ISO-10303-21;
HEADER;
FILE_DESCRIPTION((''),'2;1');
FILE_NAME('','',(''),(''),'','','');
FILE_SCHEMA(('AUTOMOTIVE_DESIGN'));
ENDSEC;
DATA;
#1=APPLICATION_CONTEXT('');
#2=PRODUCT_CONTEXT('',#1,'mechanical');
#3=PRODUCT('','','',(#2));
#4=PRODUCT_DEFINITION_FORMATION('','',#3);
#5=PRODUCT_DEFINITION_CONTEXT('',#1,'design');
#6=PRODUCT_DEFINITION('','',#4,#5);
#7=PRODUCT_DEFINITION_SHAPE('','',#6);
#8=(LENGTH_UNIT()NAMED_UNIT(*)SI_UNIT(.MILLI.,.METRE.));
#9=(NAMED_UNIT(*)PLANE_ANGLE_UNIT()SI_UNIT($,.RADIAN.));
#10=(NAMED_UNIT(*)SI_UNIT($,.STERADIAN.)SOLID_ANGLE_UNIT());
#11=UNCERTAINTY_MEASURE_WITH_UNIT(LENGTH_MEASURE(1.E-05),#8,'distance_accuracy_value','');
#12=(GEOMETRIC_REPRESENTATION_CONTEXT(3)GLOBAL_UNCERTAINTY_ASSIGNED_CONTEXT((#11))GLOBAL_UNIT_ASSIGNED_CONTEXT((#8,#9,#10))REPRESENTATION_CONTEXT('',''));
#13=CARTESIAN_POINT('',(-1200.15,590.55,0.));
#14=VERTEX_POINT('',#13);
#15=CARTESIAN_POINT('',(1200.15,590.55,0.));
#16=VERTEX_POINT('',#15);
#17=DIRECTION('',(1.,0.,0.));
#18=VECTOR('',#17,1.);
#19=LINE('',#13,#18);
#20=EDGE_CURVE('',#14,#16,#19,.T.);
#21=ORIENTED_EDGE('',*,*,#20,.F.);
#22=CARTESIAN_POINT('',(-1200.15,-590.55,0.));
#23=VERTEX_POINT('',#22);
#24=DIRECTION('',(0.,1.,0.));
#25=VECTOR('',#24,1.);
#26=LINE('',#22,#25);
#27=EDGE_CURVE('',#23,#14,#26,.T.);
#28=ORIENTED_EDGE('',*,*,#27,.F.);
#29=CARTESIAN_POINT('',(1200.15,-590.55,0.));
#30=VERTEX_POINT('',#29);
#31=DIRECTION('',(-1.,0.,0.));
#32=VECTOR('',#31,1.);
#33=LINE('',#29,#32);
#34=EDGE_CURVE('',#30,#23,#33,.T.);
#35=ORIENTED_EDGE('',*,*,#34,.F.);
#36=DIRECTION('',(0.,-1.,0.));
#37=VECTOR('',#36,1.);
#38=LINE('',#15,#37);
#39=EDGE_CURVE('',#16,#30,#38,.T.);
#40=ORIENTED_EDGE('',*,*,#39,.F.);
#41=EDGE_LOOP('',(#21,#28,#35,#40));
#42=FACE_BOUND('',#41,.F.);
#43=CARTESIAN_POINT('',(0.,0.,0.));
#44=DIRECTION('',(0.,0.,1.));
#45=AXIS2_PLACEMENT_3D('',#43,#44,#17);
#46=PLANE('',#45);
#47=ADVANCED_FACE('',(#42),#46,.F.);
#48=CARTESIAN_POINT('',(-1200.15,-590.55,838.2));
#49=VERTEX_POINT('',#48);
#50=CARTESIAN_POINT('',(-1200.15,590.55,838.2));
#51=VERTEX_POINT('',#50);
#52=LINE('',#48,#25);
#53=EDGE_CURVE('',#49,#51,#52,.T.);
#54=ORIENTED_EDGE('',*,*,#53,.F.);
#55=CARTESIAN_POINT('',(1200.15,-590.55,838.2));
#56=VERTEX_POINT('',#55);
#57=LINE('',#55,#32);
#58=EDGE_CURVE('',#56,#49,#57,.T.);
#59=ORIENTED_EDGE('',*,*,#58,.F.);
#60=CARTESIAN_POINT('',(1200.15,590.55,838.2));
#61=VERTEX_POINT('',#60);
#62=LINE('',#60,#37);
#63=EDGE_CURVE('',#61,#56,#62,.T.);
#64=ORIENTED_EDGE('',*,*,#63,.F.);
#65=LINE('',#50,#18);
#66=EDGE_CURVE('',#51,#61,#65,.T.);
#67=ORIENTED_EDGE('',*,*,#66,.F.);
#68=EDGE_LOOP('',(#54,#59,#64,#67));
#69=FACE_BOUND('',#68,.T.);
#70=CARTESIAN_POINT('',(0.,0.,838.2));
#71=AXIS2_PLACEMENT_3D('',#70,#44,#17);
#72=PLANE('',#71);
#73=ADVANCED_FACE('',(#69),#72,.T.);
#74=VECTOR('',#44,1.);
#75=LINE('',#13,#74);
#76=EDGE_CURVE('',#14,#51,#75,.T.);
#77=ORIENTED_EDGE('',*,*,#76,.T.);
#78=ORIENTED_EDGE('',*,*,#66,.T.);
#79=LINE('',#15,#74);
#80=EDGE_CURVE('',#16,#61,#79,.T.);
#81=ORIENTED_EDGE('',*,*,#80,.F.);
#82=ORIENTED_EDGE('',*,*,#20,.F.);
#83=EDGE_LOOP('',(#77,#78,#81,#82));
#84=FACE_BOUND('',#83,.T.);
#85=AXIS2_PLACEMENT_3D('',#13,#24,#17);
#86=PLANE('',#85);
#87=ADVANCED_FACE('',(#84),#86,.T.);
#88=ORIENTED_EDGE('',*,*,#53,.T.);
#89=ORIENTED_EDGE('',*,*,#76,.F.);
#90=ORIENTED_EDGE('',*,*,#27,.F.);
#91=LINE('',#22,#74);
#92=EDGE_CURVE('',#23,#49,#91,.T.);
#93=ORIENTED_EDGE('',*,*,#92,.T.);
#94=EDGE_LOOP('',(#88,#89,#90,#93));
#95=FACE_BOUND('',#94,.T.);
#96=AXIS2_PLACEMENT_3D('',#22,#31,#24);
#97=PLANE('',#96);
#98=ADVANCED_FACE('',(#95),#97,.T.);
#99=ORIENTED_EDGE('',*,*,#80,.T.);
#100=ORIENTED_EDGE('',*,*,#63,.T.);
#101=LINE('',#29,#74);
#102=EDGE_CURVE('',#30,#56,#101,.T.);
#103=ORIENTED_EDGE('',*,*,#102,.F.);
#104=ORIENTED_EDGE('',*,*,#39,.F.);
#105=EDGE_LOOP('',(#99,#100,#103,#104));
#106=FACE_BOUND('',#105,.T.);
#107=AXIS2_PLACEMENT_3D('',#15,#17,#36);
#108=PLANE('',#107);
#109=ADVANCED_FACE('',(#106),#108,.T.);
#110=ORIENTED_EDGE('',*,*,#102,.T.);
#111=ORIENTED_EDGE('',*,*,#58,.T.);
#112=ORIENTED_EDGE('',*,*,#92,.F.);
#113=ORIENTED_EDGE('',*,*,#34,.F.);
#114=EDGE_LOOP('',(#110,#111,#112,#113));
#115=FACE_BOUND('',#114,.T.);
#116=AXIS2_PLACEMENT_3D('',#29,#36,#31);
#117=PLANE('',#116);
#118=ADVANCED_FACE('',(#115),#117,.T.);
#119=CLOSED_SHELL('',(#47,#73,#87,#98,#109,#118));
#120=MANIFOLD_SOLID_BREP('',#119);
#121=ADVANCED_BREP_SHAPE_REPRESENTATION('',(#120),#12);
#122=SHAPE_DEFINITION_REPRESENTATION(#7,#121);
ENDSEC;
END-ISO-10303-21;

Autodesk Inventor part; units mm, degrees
ref_plane "YZ Plane" through (0, 0, 0) normal (1, 0, 0) x (0, 1, 0)
ref_plane "XZ Plane" through (0, 0, 0) normal (0, 1, 0) x (-1, 0, 0)
ref_plane "XY Plane" through (0, 0, 0) normal (0, 0, 1) x (1, 0, 0)
sketch "Sketch1" plane through (0, 0, 0) normal (0, 0, 1) x (1, 0, 0)
  line L0 (1200.15, -590.55) -> (-1200.15, -590.55)
  line L1 (-1200.15, -590.55) -> (-1200.15, 590.55)
  line L2 (-1200.15, 590.55) -> (1200.15, 590.55)
  line L3 (1200.15, 590.55) -> (1200.15, -590.55)
  line L4 (1200.15, -590.55) -> (-1200.15, 590.55) construction
  line L5 (-1200.15, -590.55) -> (1200.15, 590.55) construction
  point P0 (0, 0)
  dimension "d0" = 2400.3
  dimension "d1" = 1181.1
extrude "Extrusion1" add sketch "Sketch1" along normal blind 838.2
properties part number "WaterCube"
